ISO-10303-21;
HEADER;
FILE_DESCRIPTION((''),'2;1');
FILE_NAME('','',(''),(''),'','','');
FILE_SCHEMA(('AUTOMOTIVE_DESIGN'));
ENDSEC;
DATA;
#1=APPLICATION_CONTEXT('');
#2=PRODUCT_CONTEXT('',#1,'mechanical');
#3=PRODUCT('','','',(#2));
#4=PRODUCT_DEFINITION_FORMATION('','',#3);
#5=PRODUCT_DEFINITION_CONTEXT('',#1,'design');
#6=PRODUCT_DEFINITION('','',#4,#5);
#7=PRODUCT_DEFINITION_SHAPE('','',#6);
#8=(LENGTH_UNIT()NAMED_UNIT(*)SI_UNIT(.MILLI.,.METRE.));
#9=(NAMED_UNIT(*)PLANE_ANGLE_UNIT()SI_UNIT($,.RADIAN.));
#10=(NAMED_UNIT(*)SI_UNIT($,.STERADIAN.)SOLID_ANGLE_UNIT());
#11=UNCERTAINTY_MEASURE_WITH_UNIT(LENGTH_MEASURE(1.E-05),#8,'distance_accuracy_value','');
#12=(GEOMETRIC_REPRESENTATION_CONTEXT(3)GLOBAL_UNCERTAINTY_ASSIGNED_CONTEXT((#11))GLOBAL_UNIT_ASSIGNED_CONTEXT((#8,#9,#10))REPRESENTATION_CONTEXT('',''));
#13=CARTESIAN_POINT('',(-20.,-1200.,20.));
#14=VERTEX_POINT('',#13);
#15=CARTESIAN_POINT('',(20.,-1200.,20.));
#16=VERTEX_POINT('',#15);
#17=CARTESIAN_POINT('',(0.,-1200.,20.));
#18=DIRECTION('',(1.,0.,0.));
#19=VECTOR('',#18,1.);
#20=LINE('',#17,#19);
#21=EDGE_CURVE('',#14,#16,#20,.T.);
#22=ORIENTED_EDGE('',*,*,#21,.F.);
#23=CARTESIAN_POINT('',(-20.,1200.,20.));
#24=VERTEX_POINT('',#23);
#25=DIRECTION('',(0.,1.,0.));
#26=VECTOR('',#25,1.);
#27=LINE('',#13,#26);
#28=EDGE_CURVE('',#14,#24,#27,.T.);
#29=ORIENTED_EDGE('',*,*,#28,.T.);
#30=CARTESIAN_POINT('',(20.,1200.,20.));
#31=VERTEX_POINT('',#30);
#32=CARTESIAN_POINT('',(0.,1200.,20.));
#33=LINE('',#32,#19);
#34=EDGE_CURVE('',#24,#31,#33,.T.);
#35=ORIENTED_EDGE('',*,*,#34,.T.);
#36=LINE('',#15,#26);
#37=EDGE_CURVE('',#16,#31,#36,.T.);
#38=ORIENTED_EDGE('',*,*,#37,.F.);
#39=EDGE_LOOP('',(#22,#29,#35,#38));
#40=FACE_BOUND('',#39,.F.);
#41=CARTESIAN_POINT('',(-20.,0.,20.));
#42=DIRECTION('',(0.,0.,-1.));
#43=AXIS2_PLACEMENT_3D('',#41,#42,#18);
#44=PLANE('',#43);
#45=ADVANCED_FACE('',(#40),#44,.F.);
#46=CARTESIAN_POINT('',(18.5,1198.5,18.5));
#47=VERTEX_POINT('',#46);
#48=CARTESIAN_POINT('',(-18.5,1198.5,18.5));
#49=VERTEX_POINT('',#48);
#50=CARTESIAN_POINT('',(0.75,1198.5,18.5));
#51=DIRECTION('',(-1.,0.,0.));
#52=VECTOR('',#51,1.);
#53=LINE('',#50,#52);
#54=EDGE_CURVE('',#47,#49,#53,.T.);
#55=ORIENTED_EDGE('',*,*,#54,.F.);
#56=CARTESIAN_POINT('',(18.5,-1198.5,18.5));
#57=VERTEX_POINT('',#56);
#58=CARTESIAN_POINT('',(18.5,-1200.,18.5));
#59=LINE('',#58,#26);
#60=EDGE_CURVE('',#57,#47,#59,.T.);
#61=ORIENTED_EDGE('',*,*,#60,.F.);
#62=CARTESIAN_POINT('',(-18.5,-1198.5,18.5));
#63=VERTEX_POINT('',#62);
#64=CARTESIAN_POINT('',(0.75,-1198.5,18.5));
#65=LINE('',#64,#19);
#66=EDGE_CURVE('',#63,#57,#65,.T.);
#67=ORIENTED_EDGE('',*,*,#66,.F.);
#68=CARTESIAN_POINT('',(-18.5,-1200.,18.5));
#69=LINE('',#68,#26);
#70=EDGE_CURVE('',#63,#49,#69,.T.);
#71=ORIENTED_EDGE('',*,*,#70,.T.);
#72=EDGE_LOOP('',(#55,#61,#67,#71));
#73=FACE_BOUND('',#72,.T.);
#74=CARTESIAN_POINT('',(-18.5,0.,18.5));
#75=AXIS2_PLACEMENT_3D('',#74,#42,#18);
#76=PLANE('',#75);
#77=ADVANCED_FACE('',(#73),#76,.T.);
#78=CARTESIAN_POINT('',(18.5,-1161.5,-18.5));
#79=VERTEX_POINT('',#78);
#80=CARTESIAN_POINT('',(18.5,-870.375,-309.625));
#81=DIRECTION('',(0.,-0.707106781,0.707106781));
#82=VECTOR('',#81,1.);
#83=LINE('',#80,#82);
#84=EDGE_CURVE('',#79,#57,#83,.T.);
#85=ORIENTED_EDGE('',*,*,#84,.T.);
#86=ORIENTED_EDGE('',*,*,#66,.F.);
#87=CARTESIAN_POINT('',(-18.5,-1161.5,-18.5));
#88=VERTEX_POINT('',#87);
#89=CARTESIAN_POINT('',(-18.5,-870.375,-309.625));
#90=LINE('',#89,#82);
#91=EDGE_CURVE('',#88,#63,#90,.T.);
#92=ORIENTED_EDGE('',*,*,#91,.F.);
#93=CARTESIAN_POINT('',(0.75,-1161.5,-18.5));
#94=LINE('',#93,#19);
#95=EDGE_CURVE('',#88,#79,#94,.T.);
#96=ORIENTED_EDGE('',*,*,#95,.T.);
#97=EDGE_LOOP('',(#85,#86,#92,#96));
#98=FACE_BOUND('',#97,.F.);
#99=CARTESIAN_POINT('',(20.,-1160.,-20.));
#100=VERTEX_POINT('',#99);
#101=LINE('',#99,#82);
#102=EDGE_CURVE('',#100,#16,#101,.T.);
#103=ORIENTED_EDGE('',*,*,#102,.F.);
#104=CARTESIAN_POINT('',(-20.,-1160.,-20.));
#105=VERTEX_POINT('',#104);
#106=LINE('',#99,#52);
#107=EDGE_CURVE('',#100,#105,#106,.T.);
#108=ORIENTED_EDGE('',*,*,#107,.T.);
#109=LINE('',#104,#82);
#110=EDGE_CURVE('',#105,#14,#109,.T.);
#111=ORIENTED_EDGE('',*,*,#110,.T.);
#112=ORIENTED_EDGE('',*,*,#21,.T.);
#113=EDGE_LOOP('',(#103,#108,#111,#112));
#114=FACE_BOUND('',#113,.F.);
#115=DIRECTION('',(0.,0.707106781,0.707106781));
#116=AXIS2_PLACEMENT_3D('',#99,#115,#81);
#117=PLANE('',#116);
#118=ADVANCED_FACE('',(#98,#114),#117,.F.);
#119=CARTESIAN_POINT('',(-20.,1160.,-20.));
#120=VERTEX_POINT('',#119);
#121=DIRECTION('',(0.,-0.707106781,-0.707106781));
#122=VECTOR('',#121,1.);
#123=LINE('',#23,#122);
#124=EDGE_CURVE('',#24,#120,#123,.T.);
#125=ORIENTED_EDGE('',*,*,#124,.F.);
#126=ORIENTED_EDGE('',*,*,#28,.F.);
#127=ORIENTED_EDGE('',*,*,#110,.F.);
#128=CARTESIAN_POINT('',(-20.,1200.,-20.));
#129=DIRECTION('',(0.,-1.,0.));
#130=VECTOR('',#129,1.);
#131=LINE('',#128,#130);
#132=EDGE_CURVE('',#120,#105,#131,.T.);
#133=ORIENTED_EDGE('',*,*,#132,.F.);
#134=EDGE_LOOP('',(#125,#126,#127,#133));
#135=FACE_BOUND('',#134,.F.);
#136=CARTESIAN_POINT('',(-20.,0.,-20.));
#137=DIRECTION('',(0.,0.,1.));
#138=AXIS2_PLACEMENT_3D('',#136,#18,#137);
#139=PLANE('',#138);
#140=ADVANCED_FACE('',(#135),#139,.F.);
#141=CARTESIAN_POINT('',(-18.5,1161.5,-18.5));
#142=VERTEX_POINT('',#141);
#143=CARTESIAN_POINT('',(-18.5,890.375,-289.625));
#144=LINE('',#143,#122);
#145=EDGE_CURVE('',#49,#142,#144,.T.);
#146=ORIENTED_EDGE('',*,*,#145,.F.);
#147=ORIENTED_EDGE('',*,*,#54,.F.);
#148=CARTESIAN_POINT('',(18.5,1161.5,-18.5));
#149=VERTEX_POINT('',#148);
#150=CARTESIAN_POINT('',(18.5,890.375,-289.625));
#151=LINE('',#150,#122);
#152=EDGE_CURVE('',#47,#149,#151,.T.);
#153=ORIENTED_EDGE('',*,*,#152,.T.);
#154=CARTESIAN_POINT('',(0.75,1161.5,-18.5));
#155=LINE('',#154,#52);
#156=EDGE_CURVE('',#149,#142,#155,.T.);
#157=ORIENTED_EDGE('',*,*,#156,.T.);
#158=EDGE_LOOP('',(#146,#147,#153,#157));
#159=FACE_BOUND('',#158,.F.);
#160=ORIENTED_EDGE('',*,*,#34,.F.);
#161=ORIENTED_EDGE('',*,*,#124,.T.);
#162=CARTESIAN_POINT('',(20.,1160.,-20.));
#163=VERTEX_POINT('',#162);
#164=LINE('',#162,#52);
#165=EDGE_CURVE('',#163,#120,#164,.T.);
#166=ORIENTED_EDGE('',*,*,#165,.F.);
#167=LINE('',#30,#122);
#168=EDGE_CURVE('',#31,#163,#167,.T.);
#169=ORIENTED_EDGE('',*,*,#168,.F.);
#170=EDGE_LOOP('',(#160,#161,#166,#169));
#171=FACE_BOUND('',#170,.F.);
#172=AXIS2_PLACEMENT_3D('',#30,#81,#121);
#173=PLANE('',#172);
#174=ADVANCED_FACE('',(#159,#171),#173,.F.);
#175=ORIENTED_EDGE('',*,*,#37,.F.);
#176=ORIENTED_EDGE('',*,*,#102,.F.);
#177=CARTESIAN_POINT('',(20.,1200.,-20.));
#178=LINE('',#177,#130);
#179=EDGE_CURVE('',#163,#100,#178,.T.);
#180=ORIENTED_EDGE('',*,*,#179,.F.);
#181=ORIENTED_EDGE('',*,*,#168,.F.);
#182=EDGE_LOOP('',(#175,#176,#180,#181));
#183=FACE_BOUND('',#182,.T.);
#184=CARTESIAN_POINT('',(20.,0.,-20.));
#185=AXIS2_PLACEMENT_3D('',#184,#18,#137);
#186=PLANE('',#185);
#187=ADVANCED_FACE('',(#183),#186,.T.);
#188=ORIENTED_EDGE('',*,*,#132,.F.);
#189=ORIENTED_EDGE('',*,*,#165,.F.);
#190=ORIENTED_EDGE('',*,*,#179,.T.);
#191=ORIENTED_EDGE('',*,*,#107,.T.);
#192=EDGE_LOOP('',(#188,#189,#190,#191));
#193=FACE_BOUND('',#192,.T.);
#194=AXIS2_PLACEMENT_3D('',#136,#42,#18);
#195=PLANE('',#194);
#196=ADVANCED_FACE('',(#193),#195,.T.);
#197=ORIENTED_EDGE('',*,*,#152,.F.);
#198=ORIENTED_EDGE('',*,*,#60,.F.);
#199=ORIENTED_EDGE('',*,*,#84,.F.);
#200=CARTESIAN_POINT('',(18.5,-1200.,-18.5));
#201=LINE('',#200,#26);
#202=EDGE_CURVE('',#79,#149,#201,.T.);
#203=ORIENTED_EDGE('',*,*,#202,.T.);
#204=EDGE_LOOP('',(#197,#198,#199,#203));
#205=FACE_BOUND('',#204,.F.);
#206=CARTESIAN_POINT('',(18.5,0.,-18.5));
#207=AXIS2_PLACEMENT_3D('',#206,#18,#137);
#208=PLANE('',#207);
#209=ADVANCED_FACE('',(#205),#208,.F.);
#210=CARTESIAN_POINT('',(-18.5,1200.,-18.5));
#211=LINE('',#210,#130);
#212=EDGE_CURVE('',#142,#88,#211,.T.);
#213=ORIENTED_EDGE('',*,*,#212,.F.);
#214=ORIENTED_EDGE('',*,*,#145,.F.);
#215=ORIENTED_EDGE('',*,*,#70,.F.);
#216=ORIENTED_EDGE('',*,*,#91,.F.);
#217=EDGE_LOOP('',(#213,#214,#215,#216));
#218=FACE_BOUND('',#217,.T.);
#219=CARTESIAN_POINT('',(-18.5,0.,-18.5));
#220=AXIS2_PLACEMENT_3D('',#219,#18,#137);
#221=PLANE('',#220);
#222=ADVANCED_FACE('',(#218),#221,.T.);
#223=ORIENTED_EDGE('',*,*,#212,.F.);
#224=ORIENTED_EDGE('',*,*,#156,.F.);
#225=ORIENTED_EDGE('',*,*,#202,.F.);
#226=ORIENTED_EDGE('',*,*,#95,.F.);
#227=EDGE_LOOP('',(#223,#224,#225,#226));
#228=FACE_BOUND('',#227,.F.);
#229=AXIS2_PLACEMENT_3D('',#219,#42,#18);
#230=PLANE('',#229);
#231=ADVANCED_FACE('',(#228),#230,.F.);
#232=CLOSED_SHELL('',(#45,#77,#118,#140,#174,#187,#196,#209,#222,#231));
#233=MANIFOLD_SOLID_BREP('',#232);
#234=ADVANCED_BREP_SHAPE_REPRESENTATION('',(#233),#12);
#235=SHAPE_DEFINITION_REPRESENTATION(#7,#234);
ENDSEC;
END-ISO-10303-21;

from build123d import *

# Parameters (mm, degrees)
F0_W     = 40
F0_H     = 40
F0_W_2   = 37
F0_H_2   = 37
F1_DEPTH = 1200
F3_DEPTH = 40


with BuildPart() as f1:
    # F0 (on Front) → F1 (new body, symmetric)
    with BuildSketch(Plane.XZ):
        Rectangle(F0_W, F0_H)
        Rectangle(F0_W_2, F0_H_2, mode=Mode.SUBTRACT)
    extrude(amount=F1_DEPTH, both=True)

    # F2 (on face) → F3 (cut)
    with BuildSketch(Plane.YZ.offset(20)):
        Polygon((1200, -20), (1200, 20), (1160, -20), align=None)
        Polygon((-1160, -20), (-1200, 20), (-1200, -20), align=None)
    extrude(amount=-F3_DEPTH, mode=Mode.SUBTRACT)


solid = f1.part
